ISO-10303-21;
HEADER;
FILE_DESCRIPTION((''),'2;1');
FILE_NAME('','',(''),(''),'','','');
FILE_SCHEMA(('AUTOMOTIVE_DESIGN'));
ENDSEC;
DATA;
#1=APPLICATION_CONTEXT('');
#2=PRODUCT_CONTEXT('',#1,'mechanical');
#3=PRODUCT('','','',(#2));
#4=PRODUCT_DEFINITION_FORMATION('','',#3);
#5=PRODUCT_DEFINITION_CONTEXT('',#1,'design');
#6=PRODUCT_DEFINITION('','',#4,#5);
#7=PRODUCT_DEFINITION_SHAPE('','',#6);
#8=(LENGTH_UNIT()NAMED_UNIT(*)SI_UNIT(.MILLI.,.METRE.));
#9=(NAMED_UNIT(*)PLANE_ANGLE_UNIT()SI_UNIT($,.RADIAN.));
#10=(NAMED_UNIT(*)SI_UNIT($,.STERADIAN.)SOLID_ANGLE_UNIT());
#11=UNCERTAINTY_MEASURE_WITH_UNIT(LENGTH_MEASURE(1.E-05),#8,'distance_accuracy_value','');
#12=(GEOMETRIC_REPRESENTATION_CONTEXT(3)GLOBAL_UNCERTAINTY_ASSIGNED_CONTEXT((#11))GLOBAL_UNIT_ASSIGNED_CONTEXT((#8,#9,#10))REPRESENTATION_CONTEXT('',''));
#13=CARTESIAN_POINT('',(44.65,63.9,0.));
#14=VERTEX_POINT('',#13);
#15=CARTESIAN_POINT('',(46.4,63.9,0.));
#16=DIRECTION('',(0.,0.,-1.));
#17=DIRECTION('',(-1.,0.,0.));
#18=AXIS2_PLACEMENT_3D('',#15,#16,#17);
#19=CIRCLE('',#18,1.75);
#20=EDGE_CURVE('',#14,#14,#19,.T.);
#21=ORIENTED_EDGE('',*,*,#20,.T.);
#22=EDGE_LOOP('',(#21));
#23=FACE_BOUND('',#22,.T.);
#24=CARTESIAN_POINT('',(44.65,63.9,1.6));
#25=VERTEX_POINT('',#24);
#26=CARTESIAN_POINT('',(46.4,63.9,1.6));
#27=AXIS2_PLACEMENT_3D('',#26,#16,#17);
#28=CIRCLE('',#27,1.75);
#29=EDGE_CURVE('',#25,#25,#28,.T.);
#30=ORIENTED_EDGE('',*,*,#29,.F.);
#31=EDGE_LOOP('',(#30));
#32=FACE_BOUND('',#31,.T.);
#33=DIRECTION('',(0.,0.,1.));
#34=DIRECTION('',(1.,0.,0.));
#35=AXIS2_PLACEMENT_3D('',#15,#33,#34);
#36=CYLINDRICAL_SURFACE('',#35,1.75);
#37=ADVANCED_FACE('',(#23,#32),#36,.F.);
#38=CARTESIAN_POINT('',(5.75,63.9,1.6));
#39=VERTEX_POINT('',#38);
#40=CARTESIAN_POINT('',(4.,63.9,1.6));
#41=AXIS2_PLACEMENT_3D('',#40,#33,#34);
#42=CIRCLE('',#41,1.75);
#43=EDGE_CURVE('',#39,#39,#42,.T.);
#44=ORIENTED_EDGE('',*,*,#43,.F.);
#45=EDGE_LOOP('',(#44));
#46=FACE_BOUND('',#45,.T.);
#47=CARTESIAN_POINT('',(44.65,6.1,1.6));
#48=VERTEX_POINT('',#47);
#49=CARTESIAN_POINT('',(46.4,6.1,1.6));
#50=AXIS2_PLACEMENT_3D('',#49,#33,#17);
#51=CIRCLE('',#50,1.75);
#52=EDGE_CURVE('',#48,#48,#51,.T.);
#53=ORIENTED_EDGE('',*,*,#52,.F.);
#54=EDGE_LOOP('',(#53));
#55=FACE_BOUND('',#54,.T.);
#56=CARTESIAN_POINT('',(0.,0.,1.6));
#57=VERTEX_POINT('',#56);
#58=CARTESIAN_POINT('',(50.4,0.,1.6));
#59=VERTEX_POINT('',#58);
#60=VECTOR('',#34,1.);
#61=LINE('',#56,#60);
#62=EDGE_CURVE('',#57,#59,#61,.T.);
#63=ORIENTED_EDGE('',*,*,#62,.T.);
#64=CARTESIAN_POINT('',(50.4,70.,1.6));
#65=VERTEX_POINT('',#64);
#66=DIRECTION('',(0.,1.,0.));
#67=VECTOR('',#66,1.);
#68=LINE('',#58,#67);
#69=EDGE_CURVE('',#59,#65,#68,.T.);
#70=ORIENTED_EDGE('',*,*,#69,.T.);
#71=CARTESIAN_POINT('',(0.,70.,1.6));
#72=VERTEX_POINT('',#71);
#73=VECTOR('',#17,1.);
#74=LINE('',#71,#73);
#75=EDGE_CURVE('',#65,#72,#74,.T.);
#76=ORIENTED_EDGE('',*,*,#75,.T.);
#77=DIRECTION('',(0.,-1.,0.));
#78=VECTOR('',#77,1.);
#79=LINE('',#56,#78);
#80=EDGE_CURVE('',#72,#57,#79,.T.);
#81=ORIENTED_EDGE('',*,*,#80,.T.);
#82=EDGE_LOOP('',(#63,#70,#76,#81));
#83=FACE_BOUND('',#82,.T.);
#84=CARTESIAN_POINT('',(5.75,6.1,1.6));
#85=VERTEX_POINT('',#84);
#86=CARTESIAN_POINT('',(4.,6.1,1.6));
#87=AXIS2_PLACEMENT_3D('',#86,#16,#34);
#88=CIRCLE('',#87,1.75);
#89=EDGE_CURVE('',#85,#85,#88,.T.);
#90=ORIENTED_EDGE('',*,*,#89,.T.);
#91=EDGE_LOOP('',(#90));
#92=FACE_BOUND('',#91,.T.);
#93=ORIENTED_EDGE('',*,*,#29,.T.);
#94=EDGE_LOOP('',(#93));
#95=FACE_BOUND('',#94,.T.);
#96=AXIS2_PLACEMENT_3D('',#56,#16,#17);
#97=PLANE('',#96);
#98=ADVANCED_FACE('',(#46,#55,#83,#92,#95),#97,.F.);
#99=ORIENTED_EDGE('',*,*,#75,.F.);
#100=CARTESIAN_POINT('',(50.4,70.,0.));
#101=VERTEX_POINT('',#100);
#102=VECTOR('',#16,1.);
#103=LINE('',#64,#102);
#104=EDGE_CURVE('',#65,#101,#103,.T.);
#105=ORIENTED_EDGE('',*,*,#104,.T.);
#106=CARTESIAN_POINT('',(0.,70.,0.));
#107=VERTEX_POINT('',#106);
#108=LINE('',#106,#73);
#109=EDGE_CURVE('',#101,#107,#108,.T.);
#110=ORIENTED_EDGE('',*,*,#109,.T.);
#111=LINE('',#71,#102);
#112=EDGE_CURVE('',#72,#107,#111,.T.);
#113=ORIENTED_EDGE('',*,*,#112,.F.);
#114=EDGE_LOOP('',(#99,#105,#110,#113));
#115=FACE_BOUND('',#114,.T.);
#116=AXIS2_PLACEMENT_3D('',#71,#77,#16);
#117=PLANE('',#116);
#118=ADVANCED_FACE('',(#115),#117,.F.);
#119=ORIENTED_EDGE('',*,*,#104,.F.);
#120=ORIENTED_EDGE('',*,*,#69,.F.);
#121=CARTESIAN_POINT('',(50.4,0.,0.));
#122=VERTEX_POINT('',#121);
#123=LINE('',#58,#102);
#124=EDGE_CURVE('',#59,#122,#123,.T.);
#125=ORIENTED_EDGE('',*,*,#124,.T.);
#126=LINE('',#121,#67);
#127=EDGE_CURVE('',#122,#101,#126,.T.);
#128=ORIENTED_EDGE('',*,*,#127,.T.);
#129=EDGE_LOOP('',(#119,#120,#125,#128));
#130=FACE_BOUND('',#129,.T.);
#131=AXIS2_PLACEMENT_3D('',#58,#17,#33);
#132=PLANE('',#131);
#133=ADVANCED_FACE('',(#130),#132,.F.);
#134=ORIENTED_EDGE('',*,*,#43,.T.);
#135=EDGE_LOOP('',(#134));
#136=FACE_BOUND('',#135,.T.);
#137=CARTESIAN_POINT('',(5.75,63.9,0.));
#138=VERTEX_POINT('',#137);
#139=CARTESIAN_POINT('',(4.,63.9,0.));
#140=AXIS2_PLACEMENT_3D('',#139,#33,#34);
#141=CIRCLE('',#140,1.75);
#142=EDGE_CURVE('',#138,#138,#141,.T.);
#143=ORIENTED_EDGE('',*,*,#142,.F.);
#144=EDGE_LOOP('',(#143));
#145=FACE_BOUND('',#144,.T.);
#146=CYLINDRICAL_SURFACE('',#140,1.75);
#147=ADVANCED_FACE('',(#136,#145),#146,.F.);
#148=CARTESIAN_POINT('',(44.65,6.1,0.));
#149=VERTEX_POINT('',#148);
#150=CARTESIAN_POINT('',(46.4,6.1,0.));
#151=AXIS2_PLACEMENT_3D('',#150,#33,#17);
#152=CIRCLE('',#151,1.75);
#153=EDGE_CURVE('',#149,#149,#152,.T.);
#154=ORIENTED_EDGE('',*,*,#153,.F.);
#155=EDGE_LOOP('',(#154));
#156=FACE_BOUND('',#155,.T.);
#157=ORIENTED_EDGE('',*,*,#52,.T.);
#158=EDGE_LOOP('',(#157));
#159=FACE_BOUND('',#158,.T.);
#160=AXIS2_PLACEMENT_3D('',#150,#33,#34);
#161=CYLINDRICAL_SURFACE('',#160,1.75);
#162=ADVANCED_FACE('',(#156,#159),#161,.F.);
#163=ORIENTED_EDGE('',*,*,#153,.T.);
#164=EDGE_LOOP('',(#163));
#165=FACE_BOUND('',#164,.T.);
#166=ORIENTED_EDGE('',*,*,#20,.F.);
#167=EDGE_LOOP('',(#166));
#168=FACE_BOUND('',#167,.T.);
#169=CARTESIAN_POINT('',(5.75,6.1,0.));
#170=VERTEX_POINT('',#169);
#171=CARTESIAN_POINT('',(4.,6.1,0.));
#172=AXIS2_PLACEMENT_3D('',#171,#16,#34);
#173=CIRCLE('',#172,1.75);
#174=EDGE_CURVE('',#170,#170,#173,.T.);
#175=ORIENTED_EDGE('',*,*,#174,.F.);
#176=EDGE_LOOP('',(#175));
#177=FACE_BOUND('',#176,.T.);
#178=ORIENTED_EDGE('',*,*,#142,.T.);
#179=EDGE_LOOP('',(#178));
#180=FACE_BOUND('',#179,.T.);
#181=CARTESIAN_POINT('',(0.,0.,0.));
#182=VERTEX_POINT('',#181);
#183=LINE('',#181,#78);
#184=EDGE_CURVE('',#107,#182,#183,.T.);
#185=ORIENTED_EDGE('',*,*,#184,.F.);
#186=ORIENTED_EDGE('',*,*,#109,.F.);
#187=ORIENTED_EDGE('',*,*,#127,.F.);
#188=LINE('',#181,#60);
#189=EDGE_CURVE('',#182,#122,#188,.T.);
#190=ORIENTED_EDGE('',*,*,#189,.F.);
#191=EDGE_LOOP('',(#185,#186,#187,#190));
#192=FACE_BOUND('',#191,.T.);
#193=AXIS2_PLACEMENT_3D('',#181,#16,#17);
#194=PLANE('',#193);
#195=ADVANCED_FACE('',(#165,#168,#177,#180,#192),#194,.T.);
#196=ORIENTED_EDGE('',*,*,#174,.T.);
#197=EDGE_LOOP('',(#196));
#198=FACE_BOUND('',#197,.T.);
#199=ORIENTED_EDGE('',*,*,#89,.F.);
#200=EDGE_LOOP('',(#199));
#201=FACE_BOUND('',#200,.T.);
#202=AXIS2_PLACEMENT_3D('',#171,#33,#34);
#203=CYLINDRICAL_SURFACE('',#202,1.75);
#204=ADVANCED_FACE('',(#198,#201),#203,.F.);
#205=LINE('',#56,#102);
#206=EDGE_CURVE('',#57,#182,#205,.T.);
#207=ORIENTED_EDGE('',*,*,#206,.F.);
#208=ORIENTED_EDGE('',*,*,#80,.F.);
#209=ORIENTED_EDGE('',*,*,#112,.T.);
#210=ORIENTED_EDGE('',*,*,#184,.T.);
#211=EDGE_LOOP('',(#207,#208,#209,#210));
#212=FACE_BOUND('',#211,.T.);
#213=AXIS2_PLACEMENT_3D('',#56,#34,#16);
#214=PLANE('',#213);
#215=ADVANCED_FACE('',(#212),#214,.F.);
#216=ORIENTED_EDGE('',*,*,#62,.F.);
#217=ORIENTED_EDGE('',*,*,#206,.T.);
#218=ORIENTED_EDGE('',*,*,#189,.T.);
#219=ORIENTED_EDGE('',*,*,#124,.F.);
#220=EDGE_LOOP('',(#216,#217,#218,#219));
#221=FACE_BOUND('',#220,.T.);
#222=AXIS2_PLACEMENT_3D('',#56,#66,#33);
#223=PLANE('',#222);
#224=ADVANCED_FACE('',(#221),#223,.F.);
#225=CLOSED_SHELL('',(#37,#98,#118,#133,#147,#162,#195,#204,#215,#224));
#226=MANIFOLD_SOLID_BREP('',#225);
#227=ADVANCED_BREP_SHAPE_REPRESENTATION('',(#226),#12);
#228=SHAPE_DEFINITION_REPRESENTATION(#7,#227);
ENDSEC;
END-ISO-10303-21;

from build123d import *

# Parameters (mm, degrees)
ESQUISSE1_W               = 50.4
ESQUISSE1_H               = 70
BOSS_EXTRU_1_DEPTH        = 1.6
ESQUISSE2_R               = 1.75
ENL_V_MAT_EXTRU_1_DEPTH   = 87.271200293
SYM_TRIE2_COPY_1_SKETCH_R = 1.75
SYM_TRIE2_COPY_1_DEPTH    = 87.271200293


with BuildPart() as part:
    # Esquisse1 → Boss.-Extru.1 (new body)
    with BuildSketch(Plane.XY):
        with Locations((25.2, 35)):
            Rectangle(ESQUISSE1_W, ESQUISSE1_H)
    extrude(amount=BOSS_EXTRU_1_DEPTH)

    # Esquisse2 → Enlèv. mat.-Extru.1 (cut, through all)
    with BuildSketch(Plane.XY.offset(1.6)):
        with Locations((4, 63.9)):
            Circle(ESQUISSE2_R)
    enl_v_mat_extru_1 = extrude(amount=-ENL_V_MAT_EXTRU_1_DEPTH, mode=Mode.SUBTRACT)

    # Symétrie1: Enlèv. mat.-Extru.1 across plane
    add(enl_v_mat_extru_1.mirror(Plane.ZY.offset(-25.2)), mode=Mode.SUBTRACT)

    # Symétrie2: Enlèv. mat.-Extru.1 across plane
    add(enl_v_mat_extru_1.mirror(Plane.ZX.offset(35)), mode=Mode.SUBTRACT)

    # Symétrie2 copy 1 sketch → Symétrie2 copy 1 (cut, through all)
    with BuildSketch(Plane(origin=(50.4, 70, 1.6), x_dir=(-1, 0, 0), z_dir=(0, 0, 1))):
        with Locations((4, 63.9)):
            Circle(SYM_TRIE2_COPY_1_SKETCH_R)
    extrude(amount=-SYM_TRIE2_COPY_1_DEPTH, mode=Mode.SUBTRACT)


solid = part.part
